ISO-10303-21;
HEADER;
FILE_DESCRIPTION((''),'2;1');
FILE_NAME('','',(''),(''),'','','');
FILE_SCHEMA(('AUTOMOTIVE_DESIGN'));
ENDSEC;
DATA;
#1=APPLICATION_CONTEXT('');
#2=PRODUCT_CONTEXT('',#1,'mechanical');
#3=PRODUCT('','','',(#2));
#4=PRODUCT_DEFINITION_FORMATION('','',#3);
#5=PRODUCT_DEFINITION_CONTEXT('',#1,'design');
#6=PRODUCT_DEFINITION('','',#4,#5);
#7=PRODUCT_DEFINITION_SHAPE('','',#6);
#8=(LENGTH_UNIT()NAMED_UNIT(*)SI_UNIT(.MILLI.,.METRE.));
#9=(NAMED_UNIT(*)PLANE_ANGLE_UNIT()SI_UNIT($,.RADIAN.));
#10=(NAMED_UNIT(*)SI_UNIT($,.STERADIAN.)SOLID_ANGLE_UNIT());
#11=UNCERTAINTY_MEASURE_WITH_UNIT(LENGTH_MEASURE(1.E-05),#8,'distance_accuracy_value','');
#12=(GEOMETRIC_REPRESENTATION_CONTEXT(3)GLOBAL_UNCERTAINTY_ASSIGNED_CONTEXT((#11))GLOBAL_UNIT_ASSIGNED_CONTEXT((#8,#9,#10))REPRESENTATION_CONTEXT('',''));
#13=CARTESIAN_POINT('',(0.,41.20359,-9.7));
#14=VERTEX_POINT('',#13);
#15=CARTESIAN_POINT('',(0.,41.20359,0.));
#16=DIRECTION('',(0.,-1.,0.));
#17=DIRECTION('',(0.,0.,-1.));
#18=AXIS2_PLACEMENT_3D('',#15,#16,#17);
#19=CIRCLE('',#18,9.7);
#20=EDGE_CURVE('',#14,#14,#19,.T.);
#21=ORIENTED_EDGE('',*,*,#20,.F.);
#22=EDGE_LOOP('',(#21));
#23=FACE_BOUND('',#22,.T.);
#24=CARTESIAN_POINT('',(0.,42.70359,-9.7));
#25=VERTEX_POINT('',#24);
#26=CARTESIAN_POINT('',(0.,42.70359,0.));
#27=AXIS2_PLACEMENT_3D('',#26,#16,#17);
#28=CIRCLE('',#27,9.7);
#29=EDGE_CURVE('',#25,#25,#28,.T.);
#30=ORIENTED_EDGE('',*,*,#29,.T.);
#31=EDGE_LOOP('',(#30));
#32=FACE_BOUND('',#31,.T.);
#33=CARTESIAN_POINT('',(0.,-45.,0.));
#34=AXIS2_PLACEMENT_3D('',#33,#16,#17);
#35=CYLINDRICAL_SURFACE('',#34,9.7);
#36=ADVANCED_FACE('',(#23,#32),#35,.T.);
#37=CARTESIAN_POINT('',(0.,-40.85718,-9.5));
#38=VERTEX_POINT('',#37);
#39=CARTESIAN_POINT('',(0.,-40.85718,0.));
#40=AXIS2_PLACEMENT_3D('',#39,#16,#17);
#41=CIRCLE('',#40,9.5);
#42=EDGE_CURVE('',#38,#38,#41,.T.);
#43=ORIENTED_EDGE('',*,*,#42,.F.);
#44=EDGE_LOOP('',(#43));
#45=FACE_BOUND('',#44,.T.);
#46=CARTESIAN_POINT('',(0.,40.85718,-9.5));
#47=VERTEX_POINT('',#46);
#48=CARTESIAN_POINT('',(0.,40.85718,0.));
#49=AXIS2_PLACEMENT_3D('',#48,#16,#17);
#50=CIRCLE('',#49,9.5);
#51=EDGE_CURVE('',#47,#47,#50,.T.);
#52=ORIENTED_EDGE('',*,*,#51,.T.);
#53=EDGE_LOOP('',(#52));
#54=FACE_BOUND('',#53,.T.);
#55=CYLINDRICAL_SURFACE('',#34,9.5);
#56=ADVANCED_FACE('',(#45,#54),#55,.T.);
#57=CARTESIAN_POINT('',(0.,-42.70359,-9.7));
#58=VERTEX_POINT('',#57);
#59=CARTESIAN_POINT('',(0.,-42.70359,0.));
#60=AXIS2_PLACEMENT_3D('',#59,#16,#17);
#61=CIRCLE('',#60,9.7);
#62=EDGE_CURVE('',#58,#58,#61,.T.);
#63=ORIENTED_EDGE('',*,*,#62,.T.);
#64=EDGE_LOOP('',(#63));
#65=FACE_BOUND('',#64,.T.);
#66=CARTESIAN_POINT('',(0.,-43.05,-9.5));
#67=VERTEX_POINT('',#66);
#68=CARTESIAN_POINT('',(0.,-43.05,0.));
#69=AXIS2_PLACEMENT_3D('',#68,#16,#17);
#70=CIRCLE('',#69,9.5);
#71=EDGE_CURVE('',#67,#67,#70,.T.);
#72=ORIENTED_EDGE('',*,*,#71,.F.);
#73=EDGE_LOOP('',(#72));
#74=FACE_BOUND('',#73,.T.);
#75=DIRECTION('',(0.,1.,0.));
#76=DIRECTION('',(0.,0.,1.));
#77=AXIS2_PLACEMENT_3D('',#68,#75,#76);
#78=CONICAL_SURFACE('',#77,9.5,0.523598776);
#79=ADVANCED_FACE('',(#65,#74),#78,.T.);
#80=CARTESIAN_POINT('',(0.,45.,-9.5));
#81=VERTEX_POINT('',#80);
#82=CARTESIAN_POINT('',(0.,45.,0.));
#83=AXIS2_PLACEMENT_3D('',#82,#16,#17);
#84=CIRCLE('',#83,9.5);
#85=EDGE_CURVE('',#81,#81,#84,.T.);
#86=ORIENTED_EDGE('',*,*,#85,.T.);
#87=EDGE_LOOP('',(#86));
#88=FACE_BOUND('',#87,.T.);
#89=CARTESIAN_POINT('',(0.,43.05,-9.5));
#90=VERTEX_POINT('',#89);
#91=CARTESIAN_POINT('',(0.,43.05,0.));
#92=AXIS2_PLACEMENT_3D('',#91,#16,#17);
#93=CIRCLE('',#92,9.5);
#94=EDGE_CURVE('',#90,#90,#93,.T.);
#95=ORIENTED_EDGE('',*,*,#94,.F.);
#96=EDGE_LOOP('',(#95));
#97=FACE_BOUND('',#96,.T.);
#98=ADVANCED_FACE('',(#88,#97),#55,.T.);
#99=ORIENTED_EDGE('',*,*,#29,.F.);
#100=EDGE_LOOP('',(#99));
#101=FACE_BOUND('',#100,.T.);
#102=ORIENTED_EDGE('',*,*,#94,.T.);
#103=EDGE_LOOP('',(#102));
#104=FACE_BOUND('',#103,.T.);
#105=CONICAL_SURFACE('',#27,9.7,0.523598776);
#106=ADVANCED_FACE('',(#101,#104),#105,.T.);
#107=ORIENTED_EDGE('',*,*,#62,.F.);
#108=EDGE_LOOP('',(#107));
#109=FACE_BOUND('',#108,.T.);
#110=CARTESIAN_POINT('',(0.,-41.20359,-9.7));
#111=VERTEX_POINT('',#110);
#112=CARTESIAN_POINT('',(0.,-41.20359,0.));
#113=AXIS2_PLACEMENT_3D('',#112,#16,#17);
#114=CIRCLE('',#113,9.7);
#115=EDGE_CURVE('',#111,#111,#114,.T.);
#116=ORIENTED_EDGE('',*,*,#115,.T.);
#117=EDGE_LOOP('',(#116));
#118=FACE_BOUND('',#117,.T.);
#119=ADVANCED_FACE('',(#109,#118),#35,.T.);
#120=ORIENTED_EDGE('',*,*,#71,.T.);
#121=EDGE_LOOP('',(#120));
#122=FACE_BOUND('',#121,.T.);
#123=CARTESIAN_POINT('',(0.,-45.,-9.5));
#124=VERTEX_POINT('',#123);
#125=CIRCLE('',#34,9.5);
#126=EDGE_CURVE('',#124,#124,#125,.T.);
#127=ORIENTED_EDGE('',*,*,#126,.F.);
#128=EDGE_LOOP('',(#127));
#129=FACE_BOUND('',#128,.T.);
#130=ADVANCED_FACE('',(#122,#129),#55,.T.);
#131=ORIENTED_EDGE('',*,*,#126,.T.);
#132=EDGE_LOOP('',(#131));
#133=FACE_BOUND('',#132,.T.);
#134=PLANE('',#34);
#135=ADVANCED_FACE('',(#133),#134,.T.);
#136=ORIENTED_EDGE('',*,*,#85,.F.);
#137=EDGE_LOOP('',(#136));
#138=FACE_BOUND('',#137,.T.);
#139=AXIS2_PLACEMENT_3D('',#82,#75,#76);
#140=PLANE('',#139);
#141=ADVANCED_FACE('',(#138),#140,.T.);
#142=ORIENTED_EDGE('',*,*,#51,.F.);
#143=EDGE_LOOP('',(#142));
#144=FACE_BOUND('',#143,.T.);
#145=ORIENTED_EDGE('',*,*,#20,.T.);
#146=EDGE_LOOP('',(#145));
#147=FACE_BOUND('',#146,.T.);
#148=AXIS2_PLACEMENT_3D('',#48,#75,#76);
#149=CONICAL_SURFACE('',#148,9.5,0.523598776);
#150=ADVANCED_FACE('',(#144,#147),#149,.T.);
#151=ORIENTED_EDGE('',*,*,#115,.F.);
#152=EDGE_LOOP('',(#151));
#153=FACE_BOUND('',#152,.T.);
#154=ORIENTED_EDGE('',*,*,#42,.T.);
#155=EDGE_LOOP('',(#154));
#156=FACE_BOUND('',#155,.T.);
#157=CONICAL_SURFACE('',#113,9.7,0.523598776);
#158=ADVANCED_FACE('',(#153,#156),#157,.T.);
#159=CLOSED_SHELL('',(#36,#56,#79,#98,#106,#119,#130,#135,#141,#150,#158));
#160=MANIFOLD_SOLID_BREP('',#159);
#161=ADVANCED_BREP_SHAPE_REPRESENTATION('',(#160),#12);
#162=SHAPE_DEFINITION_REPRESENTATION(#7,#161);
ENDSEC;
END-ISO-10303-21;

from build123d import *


with BuildPart() as part:
    # Sketch1 → Revolve2 (revolve)
    with BuildSketch(Plane.XY):
        Polygon((0, -45), (0, 45), (9.5, 45), (9.5, 43.05), (9.7, 42.703589838), (9.7, 41.203589838), (9.5, 40.857179677), (9.5, -40.857179677), (9.7, -41.203589838), (9.7, -42.703589838), (9.5, -43.05), (9.5, -45), align=None)
    revolve(axis=Axis((0, -45, 0), (0, 1, 0)))


solid = part.part
